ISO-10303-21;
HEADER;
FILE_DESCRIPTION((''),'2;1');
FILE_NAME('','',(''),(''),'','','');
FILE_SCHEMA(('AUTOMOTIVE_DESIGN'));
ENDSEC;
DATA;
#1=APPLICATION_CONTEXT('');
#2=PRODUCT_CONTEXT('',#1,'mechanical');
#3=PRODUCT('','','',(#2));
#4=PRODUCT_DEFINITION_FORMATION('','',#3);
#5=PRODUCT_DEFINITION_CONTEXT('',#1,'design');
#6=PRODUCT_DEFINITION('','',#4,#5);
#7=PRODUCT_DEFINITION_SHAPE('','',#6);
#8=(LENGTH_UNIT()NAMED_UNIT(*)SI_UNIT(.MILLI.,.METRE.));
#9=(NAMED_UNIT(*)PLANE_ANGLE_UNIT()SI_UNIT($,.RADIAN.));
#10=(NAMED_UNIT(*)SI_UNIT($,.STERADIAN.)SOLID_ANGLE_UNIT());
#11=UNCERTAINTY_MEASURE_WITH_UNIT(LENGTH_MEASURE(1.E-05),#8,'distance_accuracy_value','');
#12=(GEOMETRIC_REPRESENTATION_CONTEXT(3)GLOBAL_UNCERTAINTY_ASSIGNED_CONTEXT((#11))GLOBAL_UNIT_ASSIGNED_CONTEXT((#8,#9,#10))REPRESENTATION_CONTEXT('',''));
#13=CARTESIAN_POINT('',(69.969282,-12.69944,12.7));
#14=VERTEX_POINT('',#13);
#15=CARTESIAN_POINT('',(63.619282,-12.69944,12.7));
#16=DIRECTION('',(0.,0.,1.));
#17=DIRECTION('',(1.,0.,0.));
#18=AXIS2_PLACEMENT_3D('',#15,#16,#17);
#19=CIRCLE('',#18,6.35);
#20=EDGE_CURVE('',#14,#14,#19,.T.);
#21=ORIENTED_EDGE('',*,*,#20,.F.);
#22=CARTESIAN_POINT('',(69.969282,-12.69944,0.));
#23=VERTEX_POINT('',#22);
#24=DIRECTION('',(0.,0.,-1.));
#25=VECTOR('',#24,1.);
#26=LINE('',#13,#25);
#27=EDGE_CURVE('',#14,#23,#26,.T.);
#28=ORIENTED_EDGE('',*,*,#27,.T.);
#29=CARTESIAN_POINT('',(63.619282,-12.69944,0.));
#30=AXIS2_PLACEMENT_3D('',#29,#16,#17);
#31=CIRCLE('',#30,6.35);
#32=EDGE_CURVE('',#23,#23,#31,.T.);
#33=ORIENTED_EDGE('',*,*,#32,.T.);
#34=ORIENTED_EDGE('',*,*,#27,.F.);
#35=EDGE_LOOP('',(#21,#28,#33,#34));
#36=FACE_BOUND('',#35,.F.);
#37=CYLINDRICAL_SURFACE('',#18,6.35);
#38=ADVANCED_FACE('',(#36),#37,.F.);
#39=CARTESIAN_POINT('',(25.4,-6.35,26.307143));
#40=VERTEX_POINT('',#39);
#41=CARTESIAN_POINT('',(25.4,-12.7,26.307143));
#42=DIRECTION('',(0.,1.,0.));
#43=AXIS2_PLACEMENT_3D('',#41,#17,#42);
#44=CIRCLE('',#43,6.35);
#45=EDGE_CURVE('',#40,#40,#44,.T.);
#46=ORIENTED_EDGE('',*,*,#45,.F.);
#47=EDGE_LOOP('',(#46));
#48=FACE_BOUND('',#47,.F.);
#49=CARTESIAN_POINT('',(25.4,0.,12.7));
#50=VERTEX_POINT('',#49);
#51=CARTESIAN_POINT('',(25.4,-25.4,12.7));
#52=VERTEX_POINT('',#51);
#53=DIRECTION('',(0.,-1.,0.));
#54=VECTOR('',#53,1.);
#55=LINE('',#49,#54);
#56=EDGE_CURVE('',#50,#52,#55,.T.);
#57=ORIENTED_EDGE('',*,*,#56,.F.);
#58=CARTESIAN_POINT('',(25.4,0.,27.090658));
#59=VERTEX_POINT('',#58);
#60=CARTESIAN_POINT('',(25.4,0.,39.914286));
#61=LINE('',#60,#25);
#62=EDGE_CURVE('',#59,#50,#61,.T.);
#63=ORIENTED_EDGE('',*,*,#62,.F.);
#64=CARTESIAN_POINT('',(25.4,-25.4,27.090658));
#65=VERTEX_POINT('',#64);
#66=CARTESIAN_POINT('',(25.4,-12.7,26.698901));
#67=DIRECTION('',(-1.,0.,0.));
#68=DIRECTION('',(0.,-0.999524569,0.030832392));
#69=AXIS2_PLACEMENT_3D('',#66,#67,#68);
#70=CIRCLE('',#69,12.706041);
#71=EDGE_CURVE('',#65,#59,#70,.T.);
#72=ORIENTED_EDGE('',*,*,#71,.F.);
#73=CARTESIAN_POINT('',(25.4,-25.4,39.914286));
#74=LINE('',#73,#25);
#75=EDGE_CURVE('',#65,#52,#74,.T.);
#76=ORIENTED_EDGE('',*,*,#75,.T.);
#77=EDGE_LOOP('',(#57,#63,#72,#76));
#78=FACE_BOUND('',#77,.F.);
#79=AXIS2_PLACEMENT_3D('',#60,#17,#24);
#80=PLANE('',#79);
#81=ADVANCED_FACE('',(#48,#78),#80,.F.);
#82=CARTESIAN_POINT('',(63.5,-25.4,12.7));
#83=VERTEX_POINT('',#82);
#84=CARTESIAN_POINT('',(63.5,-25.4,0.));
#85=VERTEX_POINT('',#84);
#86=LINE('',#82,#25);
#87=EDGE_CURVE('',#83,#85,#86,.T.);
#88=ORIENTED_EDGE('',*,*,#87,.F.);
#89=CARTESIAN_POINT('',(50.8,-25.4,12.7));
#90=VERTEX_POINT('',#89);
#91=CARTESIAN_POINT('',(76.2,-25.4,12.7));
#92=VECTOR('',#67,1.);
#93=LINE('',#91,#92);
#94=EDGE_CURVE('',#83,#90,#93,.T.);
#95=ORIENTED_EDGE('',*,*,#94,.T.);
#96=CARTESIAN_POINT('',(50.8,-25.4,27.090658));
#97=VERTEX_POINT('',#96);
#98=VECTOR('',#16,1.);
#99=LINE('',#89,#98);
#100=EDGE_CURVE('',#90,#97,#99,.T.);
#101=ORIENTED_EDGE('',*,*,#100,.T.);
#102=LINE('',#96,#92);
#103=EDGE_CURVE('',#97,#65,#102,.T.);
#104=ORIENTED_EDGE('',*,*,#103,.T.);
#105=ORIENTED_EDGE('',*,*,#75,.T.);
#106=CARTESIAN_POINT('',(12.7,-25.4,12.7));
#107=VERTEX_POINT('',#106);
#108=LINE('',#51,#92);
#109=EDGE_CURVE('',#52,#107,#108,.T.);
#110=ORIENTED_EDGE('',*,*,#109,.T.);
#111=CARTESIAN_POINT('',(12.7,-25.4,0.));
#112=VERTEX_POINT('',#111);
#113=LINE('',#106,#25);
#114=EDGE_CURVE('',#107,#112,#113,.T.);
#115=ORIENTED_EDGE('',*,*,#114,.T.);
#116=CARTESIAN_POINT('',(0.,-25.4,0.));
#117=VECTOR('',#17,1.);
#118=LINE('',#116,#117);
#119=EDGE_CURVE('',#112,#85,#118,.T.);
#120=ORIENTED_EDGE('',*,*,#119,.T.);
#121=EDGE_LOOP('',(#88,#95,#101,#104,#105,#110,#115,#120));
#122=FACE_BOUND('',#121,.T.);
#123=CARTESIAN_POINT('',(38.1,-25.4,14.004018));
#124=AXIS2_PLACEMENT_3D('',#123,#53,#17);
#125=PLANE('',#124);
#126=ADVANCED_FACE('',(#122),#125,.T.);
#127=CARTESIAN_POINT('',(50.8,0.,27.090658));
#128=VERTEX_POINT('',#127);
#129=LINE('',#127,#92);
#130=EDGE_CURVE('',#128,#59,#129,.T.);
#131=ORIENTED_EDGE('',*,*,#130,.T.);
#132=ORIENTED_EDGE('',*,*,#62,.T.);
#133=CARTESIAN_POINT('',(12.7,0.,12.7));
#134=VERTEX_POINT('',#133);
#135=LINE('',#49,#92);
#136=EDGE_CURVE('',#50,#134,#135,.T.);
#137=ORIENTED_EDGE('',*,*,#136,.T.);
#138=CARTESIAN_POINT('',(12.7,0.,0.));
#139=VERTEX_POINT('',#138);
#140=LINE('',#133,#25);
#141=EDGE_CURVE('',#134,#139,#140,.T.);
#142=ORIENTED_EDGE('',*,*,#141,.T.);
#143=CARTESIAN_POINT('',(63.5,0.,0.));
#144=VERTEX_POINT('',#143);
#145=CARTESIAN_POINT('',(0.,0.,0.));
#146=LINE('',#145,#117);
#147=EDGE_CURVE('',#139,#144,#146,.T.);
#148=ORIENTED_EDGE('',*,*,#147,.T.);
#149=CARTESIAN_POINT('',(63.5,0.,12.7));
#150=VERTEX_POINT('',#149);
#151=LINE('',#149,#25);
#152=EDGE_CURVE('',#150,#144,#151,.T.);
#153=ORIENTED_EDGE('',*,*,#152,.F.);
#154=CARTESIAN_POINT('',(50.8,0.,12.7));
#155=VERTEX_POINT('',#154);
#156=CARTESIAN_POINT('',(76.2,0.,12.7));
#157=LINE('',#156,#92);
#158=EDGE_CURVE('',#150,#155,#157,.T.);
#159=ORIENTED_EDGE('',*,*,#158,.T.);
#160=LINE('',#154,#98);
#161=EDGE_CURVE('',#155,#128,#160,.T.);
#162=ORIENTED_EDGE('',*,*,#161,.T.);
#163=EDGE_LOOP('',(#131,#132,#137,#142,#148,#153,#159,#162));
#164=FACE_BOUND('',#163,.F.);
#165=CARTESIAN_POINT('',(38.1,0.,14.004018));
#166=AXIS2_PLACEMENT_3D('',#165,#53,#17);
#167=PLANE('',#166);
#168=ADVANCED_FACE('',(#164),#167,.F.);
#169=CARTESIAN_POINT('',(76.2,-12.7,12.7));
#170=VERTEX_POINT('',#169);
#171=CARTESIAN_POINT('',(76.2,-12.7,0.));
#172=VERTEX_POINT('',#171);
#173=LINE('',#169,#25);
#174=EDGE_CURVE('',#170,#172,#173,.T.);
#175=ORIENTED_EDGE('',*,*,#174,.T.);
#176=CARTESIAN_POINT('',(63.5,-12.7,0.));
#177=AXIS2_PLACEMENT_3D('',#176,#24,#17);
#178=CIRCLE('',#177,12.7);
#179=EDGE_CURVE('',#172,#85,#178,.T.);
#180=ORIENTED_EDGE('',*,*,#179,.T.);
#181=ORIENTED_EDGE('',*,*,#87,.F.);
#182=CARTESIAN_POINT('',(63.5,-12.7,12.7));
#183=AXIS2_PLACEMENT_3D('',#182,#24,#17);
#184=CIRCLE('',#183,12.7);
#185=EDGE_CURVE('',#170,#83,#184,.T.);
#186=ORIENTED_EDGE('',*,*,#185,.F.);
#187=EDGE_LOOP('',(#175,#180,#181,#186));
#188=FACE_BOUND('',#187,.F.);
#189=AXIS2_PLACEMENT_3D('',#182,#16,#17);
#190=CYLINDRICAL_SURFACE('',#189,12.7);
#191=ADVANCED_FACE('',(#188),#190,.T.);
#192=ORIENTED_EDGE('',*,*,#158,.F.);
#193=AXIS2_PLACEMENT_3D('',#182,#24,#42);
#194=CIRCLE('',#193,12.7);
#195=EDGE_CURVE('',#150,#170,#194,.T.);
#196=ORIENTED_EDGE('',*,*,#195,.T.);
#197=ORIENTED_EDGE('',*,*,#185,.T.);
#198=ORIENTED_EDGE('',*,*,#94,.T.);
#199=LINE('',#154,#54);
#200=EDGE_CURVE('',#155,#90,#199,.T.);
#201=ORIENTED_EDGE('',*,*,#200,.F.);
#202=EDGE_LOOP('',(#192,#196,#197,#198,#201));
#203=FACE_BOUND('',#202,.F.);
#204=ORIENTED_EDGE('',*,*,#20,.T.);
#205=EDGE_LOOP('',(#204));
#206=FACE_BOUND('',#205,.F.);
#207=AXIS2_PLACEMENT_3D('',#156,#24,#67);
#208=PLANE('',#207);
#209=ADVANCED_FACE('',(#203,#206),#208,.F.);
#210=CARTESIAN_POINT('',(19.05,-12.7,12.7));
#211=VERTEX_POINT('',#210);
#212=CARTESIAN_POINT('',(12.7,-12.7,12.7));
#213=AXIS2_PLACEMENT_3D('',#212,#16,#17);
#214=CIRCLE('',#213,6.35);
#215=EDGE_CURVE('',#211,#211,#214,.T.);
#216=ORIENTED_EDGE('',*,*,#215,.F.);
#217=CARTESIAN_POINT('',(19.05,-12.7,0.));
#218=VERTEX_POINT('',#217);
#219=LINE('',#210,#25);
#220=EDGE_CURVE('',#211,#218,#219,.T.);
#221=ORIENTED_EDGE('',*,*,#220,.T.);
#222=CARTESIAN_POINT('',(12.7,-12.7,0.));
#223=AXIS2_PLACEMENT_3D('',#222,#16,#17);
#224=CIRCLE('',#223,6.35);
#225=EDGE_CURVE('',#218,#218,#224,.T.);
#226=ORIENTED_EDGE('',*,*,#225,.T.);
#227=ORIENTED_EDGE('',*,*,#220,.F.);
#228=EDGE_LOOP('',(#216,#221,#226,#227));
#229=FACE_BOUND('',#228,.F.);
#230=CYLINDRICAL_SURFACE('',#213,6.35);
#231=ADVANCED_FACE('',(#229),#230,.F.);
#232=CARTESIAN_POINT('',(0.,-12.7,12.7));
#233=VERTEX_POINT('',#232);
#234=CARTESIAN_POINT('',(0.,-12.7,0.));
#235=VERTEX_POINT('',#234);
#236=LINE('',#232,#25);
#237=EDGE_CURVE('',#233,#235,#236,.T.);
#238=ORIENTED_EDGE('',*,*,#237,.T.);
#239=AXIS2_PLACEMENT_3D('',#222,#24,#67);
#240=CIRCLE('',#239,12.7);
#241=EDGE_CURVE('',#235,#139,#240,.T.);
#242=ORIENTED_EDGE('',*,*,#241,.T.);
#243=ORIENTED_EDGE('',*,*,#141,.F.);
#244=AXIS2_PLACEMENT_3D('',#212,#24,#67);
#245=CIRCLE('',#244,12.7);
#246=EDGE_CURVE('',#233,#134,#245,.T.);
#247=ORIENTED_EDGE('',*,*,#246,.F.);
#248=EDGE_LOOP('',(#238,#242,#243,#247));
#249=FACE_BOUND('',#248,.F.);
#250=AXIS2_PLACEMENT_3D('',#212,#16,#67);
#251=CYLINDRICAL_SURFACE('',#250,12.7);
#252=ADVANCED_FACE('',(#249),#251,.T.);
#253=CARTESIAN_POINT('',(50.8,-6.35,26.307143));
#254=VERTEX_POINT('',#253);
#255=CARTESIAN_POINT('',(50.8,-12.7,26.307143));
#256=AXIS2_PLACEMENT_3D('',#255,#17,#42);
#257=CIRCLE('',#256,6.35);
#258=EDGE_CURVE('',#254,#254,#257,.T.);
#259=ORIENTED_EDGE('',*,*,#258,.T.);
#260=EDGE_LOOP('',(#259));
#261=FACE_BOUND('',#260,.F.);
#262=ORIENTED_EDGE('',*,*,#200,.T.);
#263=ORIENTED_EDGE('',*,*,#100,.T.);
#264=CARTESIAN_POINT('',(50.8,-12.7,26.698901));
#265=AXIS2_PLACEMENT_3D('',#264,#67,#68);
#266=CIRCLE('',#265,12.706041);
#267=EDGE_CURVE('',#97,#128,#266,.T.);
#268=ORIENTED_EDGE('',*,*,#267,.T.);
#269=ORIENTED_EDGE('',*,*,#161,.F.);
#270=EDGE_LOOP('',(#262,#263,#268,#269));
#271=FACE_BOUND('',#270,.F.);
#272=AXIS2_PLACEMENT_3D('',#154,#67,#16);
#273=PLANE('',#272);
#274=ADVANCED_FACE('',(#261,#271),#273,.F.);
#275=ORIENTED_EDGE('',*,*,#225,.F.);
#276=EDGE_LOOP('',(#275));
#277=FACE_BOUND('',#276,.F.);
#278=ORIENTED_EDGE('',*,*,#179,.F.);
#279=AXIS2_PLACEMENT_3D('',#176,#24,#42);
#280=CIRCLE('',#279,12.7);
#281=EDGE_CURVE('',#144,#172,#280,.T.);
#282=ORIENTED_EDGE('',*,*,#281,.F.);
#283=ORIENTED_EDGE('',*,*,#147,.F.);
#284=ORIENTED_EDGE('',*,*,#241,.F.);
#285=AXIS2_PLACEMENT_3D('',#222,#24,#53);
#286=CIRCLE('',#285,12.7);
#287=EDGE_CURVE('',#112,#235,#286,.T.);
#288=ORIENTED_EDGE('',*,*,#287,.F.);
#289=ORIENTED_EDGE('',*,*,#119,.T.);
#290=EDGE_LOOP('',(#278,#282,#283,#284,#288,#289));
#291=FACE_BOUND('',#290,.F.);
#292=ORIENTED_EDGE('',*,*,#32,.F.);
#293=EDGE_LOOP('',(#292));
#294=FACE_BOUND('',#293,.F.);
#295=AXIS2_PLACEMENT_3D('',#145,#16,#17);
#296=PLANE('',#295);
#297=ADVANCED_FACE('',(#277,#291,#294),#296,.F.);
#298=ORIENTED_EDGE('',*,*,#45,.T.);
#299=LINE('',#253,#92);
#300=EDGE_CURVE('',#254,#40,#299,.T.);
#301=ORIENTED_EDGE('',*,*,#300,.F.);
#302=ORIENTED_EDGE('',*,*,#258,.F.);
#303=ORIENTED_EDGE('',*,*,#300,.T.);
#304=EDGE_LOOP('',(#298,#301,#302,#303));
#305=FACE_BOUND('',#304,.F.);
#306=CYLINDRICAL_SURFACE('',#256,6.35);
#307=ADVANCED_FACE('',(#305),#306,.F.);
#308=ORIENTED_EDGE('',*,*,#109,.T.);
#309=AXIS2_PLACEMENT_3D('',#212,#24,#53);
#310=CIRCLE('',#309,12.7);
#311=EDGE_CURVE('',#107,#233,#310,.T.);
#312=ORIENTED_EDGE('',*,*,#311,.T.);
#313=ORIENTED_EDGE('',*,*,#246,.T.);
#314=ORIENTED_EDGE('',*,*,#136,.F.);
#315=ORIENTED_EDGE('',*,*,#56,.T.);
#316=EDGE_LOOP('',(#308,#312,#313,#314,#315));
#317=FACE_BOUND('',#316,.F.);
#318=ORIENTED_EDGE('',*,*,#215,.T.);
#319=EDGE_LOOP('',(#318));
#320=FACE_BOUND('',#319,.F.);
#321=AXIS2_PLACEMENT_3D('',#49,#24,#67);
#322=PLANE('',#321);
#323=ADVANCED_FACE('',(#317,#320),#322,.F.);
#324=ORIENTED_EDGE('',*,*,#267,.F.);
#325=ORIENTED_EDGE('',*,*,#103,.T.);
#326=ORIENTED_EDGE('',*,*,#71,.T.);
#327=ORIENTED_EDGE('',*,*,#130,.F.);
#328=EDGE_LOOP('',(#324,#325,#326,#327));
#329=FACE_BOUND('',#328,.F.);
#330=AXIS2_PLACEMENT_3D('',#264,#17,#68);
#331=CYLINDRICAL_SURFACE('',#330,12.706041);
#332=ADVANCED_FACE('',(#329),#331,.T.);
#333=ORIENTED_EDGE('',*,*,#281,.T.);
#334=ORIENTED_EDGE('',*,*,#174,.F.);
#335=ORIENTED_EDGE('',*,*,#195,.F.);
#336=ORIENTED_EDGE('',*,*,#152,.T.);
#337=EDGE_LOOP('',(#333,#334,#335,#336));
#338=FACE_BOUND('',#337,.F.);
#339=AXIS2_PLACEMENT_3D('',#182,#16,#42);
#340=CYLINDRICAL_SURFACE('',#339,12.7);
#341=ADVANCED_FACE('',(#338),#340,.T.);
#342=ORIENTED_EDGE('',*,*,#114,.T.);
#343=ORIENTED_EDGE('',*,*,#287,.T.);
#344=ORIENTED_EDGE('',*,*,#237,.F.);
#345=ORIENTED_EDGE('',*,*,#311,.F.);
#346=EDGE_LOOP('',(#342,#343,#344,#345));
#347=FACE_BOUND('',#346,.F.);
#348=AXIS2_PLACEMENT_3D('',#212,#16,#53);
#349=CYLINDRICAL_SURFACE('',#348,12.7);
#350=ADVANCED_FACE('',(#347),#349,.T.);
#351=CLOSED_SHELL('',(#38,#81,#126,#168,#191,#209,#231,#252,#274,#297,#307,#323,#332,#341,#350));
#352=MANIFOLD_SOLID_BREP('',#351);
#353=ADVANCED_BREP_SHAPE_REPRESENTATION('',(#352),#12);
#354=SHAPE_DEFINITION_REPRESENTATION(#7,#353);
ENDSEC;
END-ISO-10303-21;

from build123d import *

# Parameters (mm, degrees)
F1_DEPTH  = 25.4
F2_R      = 6.35
F3_DEPTH  = 12.7
F5_DEPTH  = 12.7
F6_R      = 6.35
F7_DEPTH  = 12.7
F9_DEPTH  = 12.7
F10_R     = 6.35
F11_DEPTH = 25.4
F13_DEPTH = 25.4


with BuildPart() as f1:
    # F0 (on Front) → F1 (new body)
    with BuildSketch(Plane.XZ):
        Polygon((0, 12.7), (0, 0), (76.2, 0), (76.2, 12.7), (50.8, 12.7), (50.8, 39.9142862895), (25.4, 39.9142862895), (25.4, 12.7), align=None)
    extrude(amount=F1_DEPTH)

    # F2 (on face) → F3 (cut)
    with BuildSketch(Plane.XY.offset(12.7)):
        with Locations((63.6192816147, -12.6994398261)):
            Circle(F2_R)
    extrude(amount=-F3_DEPTH, mode=Mode.SUBTRACT)

    # F4 (on face) → F5 (cut)
    with BuildSketch(Plane.XY.offset(12.7)):
        with BuildLine():
            ThreePointArc((63.5, 0), (72.4802561211, -3.7197438789), (76.2, -12.7))
            Line((76.2, -12.7), (76.2, 0))
            Line((76.2, 0), (63.5, 0))
        make_face()
        with BuildLine():
            ThreePointArc((76.2, -12.7), (72.4802561211, -21.6802561211), (63.5, -25.4))
            Line((63.5, -25.4), (76.2, -25.4))
            Line((76.2, -25.4), (76.2, -12.7))
        make_face()
    extrude(amount=-F5_DEPTH, mode=Mode.SUBTRACT)

    # F6 (on face) → F7 (cut)
    with BuildSketch(Plane.XY.offset(12.7)):
        with Locations((12.7, -12.7)):
            Circle(F6_R)
    extrude(amount=-F7_DEPTH, mode=Mode.SUBTRACT)

    # F8 (on face) → F9 (cut)
    with BuildSketch(Plane.XY.offset(12.7)):
        with BuildLine():
            ThreePointArc((12.7, -25.4), (3.7197438789, -21.6802561211), (0, -12.7))
            Line((0, -12.7), (0, -25.4))
            Line((0, -25.4), (12.7, -25.4))
        make_face()
        with BuildLine():
            ThreePointArc((0, -12.7), (3.7197438789, -3.7197438789), (12.7, 0))
            Line((12.7, 0), (0, 0))
            Line((0, 0), (0, -12.7))
        make_face()
    extrude(amount=-F9_DEPTH, mode=Mode.SUBTRACT)

    # F10 (on face) → F11 (cut)
    with BuildSketch(Plane.YZ.offset(50.8)):
        with Locations((-12.7, 26.3071431448)):
            Circle(F10_R)
    extrude(amount=-F11_DEPTH, mode=Mode.SUBTRACT)

    # F12 (on face) → F13 (cut)
    with BuildSketch(Plane.YZ.offset(50.8)):
        with BuildLine():
            ThreePointArc((-25.4, 27.0906584082), (-12.7, 39.4049416249), (0, 27.0906584082))
            Line((0, 27.0906584082), (0, 39.9142862895))
            Line((0, 39.9142862895), (-25.4, 39.9142862895))
            Line((-25.4, 39.9142862895), (-25.4, 27.0906584082))
        make_face()
    extrude(amount=-F13_DEPTH, mode=Mode.SUBTRACT)


solid = f1.part
